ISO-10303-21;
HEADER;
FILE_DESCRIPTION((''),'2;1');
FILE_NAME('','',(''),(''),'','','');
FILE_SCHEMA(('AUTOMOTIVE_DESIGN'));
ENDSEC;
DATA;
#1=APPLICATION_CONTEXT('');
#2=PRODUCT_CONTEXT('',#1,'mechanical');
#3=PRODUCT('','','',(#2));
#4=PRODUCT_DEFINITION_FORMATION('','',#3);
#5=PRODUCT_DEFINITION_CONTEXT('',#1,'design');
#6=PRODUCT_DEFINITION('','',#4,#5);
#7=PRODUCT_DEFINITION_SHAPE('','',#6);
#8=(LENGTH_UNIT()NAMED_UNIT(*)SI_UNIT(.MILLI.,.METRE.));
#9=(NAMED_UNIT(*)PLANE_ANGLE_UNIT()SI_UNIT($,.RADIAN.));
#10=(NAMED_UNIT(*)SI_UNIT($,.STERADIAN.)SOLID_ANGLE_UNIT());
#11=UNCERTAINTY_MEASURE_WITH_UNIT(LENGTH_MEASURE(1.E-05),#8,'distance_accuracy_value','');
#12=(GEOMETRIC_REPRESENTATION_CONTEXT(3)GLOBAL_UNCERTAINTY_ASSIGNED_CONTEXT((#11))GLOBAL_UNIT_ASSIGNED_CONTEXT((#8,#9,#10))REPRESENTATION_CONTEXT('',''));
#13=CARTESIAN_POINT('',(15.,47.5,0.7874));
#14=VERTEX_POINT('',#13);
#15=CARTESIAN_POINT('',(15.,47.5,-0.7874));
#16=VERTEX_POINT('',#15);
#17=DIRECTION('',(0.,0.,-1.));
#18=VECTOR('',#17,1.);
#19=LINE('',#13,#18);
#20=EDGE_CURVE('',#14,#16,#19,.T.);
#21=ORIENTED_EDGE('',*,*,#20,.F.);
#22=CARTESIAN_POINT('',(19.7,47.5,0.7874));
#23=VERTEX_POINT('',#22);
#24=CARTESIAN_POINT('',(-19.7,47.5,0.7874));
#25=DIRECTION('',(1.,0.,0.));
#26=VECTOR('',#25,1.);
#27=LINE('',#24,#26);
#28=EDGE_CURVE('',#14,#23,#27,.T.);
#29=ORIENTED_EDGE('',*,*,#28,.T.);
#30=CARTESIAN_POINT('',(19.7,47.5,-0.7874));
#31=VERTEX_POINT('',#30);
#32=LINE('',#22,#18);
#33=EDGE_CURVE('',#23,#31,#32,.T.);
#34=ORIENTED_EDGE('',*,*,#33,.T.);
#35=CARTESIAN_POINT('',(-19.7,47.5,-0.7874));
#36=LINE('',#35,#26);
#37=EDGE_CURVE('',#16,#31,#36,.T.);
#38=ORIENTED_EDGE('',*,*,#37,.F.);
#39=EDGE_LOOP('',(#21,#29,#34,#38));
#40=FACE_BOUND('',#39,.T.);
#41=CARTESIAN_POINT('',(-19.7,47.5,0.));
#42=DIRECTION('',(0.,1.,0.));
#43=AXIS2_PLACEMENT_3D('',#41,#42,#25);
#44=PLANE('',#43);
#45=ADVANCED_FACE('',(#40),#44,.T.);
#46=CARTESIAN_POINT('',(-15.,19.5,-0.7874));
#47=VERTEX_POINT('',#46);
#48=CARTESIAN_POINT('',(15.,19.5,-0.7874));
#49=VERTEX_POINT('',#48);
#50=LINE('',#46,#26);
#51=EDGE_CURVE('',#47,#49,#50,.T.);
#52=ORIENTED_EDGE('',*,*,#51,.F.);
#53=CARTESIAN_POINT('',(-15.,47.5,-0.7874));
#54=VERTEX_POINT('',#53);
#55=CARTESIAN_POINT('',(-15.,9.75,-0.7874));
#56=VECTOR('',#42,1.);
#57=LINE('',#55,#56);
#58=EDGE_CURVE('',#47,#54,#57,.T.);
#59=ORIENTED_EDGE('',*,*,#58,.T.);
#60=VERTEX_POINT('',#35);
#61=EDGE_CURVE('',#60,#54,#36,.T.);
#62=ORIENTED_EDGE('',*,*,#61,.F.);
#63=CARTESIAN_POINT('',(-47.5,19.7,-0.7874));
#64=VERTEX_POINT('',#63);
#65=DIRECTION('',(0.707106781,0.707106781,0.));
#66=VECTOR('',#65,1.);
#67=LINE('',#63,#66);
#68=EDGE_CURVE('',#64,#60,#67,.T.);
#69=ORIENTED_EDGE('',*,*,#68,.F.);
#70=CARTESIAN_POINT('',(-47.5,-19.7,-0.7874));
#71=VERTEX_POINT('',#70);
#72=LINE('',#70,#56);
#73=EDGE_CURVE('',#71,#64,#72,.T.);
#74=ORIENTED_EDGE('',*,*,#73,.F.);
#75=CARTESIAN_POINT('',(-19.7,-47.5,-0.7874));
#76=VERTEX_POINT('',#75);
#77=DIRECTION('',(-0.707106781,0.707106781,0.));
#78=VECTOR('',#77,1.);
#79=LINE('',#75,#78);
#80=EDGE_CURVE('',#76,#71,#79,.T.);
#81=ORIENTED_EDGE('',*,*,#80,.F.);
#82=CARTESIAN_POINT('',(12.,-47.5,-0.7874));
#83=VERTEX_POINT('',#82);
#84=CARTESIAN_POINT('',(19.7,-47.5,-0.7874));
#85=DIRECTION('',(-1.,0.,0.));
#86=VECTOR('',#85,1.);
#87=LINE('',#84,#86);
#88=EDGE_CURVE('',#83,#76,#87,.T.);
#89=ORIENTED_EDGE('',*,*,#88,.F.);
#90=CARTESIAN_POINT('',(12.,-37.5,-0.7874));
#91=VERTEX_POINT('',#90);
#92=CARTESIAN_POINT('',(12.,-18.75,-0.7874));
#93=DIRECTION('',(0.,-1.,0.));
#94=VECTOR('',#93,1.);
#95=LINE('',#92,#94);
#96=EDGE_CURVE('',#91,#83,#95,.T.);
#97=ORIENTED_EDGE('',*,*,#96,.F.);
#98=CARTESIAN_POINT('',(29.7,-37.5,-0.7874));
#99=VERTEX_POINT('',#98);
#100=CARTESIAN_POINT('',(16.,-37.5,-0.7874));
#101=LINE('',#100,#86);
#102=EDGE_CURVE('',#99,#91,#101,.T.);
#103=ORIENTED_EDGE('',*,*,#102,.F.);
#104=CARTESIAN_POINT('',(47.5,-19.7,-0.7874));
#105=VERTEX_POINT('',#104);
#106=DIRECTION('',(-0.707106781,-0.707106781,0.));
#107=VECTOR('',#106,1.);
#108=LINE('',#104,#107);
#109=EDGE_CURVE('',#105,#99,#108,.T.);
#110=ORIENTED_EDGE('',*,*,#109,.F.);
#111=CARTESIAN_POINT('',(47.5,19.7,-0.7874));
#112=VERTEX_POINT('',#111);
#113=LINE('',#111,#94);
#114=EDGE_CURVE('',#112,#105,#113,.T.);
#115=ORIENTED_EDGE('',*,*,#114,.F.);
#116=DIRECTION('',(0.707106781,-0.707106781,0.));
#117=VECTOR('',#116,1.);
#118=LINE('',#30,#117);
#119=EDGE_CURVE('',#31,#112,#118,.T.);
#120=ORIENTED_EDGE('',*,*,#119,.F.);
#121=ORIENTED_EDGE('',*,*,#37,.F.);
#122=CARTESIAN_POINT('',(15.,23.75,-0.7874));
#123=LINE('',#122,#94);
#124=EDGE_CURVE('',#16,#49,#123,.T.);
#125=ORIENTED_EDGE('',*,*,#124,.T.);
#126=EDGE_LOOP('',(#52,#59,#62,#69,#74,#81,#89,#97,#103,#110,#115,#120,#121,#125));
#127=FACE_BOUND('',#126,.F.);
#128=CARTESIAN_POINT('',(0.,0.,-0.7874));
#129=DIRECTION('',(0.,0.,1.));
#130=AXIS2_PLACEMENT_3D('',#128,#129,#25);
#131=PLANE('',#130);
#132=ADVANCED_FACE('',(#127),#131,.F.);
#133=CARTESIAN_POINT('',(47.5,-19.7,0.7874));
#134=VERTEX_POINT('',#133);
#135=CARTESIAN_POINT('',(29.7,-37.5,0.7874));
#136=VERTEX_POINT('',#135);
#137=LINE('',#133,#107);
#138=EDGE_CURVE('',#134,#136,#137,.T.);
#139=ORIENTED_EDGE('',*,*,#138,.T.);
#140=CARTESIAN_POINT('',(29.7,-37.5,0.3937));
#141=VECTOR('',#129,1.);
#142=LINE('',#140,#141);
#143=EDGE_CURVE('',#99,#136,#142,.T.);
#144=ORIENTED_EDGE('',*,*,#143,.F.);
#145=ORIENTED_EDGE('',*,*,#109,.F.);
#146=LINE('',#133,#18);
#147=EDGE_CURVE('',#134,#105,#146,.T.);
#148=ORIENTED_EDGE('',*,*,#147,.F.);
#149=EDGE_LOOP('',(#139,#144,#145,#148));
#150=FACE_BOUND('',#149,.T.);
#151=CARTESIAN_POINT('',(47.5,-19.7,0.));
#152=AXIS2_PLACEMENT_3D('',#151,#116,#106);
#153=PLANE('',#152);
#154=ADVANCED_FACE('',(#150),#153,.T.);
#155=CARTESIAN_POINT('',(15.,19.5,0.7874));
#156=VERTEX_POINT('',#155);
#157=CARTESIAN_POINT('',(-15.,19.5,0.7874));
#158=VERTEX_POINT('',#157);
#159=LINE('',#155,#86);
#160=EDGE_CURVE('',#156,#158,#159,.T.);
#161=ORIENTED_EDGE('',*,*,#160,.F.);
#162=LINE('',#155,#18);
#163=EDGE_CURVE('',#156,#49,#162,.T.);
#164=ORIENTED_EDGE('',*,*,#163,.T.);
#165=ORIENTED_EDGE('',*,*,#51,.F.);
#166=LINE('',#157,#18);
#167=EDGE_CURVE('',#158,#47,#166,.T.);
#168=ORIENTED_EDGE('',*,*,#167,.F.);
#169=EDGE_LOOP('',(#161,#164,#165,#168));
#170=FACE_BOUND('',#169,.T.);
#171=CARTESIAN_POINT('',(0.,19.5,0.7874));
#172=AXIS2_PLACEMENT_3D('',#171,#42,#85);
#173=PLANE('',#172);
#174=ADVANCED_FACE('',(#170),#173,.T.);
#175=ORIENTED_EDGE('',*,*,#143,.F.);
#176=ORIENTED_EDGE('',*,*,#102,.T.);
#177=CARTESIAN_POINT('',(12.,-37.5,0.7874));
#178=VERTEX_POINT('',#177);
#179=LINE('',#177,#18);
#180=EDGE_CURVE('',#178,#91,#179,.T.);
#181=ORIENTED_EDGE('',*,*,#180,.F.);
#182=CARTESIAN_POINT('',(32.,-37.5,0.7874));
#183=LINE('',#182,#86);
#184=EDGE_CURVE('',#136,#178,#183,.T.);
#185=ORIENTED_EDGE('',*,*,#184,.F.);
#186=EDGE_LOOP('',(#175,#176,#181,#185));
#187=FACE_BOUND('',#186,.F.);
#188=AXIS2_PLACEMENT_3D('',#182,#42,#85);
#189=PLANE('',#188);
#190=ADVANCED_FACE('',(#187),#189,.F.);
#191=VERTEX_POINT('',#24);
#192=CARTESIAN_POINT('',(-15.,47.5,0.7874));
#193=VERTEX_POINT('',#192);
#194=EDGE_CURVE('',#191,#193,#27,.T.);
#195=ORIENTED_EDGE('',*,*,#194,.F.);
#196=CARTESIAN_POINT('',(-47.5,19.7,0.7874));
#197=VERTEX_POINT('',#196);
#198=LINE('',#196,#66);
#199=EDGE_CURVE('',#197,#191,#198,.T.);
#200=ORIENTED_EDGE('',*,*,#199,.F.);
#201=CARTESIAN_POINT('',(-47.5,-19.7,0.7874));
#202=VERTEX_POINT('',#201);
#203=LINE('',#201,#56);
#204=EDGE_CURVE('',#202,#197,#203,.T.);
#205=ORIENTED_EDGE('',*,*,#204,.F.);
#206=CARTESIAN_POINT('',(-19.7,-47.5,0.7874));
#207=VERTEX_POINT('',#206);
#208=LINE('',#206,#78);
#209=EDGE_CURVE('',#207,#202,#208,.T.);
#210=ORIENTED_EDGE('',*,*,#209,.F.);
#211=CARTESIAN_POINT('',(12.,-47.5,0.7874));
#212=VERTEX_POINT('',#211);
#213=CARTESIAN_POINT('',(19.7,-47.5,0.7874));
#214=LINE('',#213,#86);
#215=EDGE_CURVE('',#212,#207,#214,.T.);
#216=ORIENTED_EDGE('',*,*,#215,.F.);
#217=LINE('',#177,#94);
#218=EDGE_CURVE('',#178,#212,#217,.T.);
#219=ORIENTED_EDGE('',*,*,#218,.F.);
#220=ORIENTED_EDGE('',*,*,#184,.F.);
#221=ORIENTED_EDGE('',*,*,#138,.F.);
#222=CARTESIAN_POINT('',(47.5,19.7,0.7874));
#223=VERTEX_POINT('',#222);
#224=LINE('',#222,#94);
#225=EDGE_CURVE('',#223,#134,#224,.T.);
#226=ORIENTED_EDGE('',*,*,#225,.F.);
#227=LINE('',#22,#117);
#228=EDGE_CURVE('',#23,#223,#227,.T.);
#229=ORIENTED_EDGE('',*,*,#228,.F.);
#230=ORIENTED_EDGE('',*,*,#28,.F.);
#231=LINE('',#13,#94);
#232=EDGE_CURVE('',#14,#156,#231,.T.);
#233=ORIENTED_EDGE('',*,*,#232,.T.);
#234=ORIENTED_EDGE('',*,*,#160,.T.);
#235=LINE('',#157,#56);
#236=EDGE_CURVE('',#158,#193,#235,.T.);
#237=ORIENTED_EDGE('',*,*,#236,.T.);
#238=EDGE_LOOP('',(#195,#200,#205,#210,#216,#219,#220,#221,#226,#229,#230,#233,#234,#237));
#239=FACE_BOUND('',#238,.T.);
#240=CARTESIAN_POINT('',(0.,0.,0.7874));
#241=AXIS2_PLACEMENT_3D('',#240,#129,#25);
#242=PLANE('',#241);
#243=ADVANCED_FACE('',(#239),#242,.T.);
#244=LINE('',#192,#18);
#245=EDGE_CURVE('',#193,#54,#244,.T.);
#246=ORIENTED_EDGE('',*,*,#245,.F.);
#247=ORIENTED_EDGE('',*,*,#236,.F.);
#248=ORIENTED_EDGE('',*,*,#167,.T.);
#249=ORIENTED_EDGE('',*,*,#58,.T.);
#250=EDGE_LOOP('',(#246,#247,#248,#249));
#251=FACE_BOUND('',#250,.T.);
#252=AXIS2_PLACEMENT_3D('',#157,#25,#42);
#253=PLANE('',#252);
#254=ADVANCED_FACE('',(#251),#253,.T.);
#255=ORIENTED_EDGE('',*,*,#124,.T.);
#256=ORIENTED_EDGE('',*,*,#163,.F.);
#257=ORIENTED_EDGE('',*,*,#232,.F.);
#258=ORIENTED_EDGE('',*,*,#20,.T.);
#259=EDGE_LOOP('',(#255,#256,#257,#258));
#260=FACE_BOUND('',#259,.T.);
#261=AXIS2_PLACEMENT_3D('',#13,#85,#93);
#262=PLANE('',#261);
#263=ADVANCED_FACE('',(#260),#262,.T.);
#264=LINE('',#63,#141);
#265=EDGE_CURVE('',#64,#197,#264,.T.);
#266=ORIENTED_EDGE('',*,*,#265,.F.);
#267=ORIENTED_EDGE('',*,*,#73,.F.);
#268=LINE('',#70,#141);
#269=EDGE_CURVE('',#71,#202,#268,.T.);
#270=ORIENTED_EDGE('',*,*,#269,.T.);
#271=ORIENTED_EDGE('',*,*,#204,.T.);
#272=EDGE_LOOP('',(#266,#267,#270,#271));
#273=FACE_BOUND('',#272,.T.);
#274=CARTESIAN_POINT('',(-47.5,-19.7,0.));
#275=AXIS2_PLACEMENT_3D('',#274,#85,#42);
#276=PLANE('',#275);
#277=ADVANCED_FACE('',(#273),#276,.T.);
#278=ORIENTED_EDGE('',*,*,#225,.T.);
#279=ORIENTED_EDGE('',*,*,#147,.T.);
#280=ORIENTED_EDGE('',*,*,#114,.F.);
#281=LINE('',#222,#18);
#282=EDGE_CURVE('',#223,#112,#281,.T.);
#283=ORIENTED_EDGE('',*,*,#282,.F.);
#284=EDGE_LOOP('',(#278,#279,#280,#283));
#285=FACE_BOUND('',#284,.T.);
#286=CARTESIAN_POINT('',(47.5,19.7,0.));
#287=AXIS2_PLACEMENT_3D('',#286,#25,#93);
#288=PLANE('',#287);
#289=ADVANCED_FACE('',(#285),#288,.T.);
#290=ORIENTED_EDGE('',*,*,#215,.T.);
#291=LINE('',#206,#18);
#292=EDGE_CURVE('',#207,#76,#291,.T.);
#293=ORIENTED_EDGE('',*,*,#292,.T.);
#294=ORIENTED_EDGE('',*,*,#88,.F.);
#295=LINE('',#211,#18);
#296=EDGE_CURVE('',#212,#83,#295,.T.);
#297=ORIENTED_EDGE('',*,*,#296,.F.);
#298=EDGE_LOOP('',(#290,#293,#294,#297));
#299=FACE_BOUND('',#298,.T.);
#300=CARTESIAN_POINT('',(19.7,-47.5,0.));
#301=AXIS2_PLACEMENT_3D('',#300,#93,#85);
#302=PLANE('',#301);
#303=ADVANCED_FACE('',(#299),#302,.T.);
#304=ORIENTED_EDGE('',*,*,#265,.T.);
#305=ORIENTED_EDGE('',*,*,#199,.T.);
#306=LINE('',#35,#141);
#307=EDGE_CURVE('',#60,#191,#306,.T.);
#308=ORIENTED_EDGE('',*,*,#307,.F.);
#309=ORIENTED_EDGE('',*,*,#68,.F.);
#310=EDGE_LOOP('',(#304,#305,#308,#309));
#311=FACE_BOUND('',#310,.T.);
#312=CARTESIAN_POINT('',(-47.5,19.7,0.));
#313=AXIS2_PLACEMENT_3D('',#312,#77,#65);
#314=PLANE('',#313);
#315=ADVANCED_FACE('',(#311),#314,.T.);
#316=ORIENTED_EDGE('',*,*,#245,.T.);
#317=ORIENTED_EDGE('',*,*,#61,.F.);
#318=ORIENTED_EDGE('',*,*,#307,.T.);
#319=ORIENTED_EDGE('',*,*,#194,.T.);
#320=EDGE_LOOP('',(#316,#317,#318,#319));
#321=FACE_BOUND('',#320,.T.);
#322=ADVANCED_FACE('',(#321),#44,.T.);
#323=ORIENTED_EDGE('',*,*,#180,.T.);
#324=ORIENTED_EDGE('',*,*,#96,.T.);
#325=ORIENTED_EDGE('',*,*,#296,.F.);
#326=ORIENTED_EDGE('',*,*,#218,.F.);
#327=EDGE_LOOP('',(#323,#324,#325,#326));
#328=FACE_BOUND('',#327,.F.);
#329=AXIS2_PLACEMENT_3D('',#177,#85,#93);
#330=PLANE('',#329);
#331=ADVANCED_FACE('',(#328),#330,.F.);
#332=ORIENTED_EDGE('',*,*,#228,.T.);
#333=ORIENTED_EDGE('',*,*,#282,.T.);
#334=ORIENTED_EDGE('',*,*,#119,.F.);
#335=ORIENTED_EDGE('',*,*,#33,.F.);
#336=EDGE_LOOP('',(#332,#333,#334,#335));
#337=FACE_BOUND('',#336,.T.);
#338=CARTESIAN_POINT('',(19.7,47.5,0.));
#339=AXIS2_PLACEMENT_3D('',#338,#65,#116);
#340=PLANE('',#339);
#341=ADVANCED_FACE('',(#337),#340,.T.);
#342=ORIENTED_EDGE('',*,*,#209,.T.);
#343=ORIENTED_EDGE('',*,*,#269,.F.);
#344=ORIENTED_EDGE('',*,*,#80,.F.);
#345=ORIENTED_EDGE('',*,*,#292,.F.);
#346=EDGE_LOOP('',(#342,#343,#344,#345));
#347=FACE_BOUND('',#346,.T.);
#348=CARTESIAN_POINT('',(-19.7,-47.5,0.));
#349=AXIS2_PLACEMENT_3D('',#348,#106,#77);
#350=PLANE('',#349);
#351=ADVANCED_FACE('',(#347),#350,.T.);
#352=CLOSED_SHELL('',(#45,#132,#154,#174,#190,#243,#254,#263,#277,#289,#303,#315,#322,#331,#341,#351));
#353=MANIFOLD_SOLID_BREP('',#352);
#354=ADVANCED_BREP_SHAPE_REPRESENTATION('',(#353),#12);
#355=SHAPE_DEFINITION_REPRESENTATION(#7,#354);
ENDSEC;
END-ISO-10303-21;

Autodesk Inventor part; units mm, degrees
ref_plane "YZ Plane" through (0, 0, 0) normal (1, 0, 0) x (0, 1, 0)
ref_plane "XZ Plane" through (0, 0, 0) normal (0, 1, 0) x (-1, 0, 0)
ref_plane "XY Plane" through (0, 0, 0) normal (0, 0, 1) x (1, 0, 0)
sketch "Sketch1" plane through (0, 0, 0) normal (0, 0, 1) x (1, 0, 0)
  line L0 (0, 0) -> (0, 24.8008)
  line L1 (0, 0) -> (23.5103, 0)
  line L2 (-19.7, 47.5) -> (19.7, 47.5)
  line L3 (47.5, 19.7) -> (47.5, -19.7)
  line L4 (19.7, -47.5) -> (-19.7, -47.5)
  line L5 (-47.5, -19.7) -> (-47.5, 19.7)
  line L6 (19.7, 47.5) -> (47.5, 19.7)
  line L7 (47.5, -19.7) -> (19.7, -47.5)
  line L8 (-19.7, -47.5) -> (-47.5, -19.7)
  line L9 (-47.5, 19.7) -> (-19.7, 47.5)
  point P0 (-47.5, 47.5)
  point P1 (47.5, -47.5)
  point P2 (47.5, 47.5)
  point P3 (-47.5, -47.5)
  dimension "d9" = 27.8
  dimension "d10" = 27.8
  dimension "d11" = 27.8
  dimension "d12" = 27.8
  dimension "d13" = 27.8
  dimension "d14" = 27.8
  dimension "d15" = 27.8
  dimension "d16" = 27.8
  dimension "d17" = 95
  dimension "d18" = 95
extrude "Extrusion1" add sketch "Sketch1" along normal mid plane 1.5748
sketch "Sketch2" plane through (0, 0, 0.7874) normal (0, 0, 1) x (1, 0, 0)
  line L0 (0, 0) -> (0, 42.1348)
  line L1 (-15, 47.5) -> (15, 47.5)
  line L2 (15, 47.5) -> (15, 19.5)
  line L3 (15, 19.5) -> (-15, 19.5)
  line L4 (-15, 19.5) -> (-15, 47.5)
  line L5 (-19.7, 47.5) -> (19.7, 47.5) projected
  dimension "d4" = 30
  dimension "d25" = 28
extrude "Extrusion2" cut sketch "Sketch2" against normal through all
sketch "Sketch3" plane through (0, 0, 0.7874) normal (0, 0, 1) x (1, 0, 0)
  line L0 (19.7, -47.5) -> (-19.7, -47.5) projected
  line L1 (12, -47.5) -> (32, -47.5)
  line L2 (32, -47.5) -> (32, -37.5)
  line L3 (32, -37.5) -> (12, -37.5)
  line L4 (12, -37.5) -> (12, -47.5)
  point P0 (0, 0)
  dimension "d19" = 10
  dimension "d21" = 12
  dimension "d24" = 32
extrude "Extrusion3" cut sketch "Sketch3" against normal through all
equation "\"d10\" = d9"
equation "\"d11\" = d9"
equation "\"d12\" = d11"
equation "\"d13\" = d9"
equation "\"d14\" = d13"
equation "\"d15\" = d9"
equation "\"d16\" = d15"
properties part number "Tant_Exp4_top" material "Lead"
